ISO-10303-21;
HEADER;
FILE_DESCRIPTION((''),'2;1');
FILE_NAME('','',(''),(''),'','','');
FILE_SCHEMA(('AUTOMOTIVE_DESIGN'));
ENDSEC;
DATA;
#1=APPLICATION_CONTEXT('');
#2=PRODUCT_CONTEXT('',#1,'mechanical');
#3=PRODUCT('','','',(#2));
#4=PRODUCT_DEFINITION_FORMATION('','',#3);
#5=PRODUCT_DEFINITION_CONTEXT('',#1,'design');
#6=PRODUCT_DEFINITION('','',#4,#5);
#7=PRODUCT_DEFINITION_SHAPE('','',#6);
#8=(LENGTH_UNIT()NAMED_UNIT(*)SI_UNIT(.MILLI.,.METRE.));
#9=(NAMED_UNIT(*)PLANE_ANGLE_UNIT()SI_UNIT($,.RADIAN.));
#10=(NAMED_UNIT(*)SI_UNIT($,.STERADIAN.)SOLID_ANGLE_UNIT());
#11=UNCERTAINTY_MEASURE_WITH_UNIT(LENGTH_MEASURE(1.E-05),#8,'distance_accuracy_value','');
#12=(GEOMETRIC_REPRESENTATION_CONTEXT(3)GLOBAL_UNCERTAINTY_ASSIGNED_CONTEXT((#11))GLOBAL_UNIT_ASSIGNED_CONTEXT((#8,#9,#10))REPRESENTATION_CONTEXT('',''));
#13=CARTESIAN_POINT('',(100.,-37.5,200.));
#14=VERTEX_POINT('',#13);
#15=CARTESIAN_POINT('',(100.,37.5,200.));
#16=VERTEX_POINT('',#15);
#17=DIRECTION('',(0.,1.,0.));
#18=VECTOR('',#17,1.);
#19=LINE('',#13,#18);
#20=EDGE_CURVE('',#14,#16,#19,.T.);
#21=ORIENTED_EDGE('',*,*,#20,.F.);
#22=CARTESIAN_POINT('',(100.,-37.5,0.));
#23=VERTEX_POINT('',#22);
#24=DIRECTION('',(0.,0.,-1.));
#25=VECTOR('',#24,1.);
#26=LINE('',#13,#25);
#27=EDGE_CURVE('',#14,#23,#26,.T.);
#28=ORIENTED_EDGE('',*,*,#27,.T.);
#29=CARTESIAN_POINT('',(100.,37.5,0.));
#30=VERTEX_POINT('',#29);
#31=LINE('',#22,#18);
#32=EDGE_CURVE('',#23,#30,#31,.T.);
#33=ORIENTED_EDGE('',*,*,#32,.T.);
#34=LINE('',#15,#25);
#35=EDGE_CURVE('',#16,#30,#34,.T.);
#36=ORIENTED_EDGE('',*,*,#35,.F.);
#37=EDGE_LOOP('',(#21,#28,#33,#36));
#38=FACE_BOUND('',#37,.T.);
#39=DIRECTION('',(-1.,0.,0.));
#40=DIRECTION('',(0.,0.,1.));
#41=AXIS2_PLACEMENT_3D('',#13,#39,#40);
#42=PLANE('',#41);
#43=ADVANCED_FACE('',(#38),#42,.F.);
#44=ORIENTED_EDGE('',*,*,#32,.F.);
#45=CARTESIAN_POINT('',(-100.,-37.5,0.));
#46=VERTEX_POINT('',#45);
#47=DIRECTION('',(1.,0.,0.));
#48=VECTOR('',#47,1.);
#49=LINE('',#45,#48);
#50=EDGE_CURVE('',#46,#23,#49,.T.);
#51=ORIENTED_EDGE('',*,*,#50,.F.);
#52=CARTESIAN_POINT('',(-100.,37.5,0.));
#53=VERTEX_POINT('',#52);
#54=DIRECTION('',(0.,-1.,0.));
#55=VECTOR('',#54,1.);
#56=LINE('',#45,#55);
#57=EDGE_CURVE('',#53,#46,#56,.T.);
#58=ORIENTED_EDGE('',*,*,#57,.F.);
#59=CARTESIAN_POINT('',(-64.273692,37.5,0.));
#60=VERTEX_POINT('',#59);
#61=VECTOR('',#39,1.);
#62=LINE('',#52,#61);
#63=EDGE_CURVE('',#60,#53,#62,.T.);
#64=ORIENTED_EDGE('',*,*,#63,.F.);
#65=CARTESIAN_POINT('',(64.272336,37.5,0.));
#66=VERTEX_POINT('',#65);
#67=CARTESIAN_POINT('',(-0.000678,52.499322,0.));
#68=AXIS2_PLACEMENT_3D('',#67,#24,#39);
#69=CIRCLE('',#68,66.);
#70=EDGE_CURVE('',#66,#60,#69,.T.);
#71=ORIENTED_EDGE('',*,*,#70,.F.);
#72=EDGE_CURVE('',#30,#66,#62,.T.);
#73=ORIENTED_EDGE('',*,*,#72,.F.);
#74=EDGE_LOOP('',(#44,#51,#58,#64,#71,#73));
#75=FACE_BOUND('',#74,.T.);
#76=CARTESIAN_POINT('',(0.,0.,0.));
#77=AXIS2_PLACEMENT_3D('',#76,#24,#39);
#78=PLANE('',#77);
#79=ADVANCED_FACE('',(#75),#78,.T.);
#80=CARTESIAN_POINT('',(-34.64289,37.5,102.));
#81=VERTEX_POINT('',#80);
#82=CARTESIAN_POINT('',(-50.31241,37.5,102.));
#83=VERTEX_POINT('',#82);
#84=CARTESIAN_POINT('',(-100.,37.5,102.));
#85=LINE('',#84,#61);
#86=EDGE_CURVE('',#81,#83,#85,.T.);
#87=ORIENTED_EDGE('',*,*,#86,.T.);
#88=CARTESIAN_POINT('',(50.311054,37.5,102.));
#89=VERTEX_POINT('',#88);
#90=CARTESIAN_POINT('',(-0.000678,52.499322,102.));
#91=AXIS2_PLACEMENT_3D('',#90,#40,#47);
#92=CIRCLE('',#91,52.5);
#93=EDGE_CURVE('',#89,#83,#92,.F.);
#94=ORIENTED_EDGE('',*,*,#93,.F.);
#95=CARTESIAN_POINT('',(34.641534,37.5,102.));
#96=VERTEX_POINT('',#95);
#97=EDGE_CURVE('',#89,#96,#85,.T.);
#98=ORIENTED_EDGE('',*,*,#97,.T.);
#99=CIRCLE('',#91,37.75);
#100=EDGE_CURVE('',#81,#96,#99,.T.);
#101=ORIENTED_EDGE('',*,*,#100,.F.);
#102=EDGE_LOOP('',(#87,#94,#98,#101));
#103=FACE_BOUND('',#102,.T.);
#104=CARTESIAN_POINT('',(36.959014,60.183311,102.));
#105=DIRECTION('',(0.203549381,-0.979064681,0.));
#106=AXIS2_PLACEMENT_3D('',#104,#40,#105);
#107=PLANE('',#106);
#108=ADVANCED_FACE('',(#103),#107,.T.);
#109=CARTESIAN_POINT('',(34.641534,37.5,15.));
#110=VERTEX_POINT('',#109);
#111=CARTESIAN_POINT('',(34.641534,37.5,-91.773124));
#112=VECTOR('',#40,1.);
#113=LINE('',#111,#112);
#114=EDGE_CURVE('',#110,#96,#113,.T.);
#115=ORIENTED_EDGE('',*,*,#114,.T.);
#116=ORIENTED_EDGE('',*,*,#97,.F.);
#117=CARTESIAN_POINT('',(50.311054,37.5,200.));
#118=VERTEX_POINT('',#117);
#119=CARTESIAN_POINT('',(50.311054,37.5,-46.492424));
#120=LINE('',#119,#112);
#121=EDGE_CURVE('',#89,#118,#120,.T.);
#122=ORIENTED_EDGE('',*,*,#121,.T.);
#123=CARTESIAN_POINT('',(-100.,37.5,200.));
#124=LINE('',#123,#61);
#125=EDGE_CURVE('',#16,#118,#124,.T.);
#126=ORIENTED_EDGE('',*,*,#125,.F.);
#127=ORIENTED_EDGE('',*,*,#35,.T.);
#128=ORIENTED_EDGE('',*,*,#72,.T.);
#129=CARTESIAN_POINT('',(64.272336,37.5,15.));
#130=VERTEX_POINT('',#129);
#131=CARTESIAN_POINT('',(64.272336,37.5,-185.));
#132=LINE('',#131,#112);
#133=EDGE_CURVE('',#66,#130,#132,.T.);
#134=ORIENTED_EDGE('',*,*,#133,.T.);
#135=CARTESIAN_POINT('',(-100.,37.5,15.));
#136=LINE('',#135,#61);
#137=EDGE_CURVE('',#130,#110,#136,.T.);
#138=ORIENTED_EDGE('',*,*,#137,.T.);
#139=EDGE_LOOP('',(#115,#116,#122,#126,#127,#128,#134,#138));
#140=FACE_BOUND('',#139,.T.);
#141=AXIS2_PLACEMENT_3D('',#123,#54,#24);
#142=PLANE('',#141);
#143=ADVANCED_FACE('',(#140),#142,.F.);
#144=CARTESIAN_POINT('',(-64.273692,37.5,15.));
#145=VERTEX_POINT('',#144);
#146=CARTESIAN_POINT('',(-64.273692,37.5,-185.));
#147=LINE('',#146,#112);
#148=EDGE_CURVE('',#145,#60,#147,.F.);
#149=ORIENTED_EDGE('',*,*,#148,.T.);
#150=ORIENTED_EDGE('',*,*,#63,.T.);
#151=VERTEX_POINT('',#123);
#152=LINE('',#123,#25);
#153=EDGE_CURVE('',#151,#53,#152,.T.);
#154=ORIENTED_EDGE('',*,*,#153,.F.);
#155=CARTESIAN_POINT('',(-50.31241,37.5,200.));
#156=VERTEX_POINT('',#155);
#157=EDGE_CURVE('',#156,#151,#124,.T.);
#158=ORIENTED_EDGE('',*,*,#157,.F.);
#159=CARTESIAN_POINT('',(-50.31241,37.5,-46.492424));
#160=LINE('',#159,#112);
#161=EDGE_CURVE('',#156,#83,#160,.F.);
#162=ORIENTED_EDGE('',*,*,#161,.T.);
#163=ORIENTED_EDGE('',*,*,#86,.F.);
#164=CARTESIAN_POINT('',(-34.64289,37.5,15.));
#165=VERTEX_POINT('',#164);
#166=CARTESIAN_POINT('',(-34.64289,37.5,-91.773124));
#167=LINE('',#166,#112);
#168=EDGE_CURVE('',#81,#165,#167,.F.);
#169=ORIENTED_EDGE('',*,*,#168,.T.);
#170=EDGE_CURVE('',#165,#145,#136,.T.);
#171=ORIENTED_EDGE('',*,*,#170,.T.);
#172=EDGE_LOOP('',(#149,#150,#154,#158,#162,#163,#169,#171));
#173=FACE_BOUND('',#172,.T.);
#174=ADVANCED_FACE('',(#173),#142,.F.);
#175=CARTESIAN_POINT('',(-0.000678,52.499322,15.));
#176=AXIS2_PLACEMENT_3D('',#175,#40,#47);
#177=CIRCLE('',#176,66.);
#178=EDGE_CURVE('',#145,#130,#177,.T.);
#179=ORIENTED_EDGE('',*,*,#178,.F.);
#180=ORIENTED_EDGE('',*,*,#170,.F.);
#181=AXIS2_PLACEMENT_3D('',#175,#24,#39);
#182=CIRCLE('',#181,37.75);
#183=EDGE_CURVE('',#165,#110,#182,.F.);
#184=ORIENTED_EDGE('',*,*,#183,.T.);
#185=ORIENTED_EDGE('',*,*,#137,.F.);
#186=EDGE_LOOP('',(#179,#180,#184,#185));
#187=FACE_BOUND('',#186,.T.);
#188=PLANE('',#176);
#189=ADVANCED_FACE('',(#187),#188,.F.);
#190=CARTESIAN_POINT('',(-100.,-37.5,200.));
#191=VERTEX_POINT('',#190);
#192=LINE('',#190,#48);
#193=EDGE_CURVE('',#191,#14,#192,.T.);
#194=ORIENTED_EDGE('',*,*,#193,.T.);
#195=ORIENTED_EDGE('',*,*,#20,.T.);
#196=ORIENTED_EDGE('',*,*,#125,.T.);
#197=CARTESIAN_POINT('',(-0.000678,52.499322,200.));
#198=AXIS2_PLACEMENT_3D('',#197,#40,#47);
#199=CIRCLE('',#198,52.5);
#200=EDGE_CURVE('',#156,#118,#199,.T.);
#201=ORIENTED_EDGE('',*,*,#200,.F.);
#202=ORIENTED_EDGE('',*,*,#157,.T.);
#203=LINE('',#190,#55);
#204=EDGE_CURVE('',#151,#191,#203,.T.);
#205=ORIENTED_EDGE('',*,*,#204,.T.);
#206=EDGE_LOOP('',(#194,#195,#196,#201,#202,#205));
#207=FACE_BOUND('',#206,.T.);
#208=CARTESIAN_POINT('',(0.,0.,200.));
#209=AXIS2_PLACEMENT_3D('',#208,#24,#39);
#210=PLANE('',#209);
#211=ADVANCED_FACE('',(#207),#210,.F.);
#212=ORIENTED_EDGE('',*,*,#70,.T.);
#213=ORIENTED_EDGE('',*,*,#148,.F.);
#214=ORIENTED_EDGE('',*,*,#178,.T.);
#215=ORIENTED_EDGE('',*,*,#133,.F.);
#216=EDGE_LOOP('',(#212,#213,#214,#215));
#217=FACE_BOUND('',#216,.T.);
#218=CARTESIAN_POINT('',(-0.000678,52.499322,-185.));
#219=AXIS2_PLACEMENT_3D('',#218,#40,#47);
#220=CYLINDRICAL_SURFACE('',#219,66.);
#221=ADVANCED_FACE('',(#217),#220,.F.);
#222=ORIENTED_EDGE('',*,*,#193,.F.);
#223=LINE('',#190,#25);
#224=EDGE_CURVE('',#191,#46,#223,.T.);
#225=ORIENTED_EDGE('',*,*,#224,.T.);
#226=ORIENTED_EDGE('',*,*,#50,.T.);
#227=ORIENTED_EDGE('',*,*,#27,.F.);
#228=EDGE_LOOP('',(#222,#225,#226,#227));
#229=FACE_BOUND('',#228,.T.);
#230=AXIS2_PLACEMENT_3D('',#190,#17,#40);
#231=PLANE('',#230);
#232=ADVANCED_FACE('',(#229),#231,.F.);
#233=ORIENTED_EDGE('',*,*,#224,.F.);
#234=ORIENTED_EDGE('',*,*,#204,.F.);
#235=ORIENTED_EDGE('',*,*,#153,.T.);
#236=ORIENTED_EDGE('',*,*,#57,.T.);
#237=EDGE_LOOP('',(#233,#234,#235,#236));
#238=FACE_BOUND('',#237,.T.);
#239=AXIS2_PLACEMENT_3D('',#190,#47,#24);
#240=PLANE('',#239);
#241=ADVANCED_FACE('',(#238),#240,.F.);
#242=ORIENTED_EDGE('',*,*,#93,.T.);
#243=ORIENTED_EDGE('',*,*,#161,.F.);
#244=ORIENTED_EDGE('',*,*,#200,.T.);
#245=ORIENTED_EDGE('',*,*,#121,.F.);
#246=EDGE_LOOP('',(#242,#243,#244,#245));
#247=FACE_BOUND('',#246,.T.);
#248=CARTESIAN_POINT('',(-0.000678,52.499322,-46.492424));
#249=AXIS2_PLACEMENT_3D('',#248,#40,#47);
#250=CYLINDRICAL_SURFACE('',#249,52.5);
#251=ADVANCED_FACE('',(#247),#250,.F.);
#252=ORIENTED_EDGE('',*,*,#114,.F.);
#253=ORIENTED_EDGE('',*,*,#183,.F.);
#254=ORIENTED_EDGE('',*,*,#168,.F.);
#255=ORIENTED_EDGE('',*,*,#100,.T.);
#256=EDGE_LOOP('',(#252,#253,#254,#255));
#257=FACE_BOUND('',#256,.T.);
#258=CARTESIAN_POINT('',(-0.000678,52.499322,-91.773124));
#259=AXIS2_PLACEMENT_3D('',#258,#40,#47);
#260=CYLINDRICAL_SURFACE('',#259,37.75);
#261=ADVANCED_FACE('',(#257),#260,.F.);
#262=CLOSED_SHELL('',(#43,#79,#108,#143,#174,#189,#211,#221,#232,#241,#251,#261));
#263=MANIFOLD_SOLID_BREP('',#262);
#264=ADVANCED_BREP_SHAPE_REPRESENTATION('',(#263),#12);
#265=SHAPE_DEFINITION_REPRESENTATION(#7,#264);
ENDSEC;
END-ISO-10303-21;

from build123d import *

# Parameters (mm, degrees)
SKETCH1_W           = 200
SKETCH1_H           = 75
BOSS_EXTRUDE1_DEPTH = 200
CUT_EXTRUDE1_START  = -98
SKETCH2_R           = 52.5
CUT_EXTRUDE1_DEPTH  = 98
CUT_EXTRUDE2_START  = -87
SKETCH3_R           = 37.75
CUT_EXTRUDE2_DEPTH  = 87
SKETCH4_R           = 66
CUT_EXTRUDE3_DEPTH  = 200


with BuildPart() as part:
    # Sketch1 → Boss-Extrude1 (new body)
    with BuildSketch(Plane.XY):
        Rectangle(SKETCH1_W, SKETCH1_H)
    extrude(amount=BOSS_EXTRUDE1_DEPTH)

    # Sketch2 → Cut-Extrude1 (cut)
    with BuildSketch(Plane.XY.offset(200).offset(CUT_EXTRUDE1_START)):
        with Locations((-0.000678119, 52.499321881)):
            Circle(SKETCH2_R)
    extrude(amount=CUT_EXTRUDE1_DEPTH, mode=Mode.SUBTRACT)

    # Sketch3 → Cut-Extrude2 (cut)
    with BuildSketch(Plane.XY.offset(102).offset(CUT_EXTRUDE2_START)):
        with Locations((-0.000678119, 52.499321881)):
            Circle(SKETCH3_R)
    extrude(amount=CUT_EXTRUDE2_DEPTH, mode=Mode.SUBTRACT)

    # Sketch4 → Cut-Extrude3 (cut)
    with BuildSketch(Plane.XY.offset(15)):
        with Locations((-0.000678119, 52.499321881)):
            Circle(SKETCH4_R)
    extrude(amount=-CUT_EXTRUDE3_DEPTH, mode=Mode.SUBTRACT)


solid = part.part
